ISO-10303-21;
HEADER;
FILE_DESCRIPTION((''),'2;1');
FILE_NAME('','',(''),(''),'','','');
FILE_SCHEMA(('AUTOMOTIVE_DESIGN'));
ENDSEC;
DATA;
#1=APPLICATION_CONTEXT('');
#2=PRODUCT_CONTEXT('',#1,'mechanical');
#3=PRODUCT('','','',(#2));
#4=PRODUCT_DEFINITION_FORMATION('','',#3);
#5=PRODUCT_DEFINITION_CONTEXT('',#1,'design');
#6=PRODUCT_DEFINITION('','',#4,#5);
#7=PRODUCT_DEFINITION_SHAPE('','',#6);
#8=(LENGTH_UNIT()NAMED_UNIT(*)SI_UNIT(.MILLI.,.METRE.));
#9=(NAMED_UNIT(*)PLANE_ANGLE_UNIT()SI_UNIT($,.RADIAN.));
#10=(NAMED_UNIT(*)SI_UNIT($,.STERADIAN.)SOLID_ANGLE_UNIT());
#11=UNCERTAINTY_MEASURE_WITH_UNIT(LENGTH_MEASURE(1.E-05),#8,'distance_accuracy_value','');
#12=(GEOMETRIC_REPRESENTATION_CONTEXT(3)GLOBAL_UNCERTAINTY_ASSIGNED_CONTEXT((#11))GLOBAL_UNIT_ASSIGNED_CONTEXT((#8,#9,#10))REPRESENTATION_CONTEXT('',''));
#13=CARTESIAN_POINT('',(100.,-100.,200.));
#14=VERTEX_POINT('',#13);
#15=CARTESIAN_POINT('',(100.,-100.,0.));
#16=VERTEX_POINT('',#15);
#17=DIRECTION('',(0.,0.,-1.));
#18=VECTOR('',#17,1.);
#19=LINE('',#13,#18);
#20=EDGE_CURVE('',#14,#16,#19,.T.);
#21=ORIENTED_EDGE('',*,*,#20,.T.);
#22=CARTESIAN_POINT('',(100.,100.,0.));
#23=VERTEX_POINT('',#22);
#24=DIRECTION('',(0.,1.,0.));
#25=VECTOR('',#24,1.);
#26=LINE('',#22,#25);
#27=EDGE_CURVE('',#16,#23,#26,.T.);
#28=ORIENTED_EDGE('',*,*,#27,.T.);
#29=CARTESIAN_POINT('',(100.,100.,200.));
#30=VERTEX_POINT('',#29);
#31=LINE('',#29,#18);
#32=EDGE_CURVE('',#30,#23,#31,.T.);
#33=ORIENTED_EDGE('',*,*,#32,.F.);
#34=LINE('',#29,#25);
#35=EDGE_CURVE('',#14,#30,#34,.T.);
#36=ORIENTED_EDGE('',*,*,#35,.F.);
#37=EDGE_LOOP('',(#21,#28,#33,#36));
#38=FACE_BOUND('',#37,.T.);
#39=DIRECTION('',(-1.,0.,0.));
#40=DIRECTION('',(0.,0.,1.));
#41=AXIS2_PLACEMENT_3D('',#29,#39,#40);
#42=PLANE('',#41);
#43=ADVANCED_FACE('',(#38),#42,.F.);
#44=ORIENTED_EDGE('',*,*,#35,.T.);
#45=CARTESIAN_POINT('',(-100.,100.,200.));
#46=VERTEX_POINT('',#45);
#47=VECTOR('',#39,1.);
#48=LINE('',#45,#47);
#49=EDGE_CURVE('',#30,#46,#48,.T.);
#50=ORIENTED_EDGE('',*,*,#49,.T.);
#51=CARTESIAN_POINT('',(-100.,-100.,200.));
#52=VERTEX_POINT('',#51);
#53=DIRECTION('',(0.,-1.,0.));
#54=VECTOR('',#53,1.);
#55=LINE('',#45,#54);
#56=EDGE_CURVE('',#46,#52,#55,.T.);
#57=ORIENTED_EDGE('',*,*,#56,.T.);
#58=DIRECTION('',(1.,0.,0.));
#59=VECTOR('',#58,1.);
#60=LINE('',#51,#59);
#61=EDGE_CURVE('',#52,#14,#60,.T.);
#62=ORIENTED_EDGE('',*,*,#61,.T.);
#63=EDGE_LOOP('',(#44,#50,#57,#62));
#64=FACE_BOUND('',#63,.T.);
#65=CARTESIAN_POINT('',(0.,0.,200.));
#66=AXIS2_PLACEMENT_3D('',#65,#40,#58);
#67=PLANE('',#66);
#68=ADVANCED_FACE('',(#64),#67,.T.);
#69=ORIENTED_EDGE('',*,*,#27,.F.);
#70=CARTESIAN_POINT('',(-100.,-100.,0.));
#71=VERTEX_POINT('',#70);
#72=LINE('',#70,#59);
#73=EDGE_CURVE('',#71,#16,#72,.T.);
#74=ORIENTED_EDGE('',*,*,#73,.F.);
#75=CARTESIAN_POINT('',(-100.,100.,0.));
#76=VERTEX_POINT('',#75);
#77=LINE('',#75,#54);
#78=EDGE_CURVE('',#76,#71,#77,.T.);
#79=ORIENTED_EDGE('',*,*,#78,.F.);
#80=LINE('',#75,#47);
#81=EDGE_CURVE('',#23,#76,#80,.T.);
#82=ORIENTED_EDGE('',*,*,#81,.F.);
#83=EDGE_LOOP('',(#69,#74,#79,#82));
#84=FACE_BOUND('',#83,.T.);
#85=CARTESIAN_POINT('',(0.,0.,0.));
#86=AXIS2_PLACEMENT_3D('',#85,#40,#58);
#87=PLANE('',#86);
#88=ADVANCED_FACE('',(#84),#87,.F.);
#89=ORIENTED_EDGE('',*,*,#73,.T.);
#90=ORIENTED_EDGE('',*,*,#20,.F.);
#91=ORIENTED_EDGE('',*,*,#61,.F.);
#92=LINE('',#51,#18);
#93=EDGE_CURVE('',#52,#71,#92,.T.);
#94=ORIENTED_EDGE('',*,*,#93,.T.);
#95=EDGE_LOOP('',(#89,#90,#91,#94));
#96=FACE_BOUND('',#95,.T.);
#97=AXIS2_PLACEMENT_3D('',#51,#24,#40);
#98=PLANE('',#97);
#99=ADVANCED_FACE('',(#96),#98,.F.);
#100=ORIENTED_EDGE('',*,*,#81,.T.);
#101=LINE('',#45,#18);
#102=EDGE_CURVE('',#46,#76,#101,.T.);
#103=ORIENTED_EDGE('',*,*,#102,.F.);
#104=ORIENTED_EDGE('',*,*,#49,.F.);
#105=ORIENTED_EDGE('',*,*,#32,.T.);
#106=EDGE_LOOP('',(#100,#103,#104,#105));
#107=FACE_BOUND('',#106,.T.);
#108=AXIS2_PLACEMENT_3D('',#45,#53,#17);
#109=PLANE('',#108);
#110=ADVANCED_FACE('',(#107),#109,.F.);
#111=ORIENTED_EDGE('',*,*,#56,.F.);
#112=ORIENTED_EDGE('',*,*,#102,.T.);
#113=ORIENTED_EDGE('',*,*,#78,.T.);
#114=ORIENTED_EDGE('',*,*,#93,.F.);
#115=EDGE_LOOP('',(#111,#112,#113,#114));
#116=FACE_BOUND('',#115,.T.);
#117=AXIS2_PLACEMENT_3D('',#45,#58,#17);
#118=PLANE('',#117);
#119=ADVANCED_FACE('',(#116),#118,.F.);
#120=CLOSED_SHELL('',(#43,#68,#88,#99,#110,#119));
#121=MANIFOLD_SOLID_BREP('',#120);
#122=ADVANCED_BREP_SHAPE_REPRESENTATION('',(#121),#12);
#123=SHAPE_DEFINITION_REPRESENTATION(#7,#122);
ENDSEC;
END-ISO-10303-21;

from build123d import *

# Parameters (mm, degrees)
SKETCH1_W           = 200
SKETCH1_H           = 200
BOSS_EXTRUDE1_DEPTH = 200


with BuildPart() as part:
    # Sketch1 → Boss-Extrude1 (new body)
    with BuildSketch(Plane.XY):
        Rectangle(SKETCH1_W, SKETCH1_H)
    extrude(amount=BOSS_EXTRUDE1_DEPTH)


solid = part.part
